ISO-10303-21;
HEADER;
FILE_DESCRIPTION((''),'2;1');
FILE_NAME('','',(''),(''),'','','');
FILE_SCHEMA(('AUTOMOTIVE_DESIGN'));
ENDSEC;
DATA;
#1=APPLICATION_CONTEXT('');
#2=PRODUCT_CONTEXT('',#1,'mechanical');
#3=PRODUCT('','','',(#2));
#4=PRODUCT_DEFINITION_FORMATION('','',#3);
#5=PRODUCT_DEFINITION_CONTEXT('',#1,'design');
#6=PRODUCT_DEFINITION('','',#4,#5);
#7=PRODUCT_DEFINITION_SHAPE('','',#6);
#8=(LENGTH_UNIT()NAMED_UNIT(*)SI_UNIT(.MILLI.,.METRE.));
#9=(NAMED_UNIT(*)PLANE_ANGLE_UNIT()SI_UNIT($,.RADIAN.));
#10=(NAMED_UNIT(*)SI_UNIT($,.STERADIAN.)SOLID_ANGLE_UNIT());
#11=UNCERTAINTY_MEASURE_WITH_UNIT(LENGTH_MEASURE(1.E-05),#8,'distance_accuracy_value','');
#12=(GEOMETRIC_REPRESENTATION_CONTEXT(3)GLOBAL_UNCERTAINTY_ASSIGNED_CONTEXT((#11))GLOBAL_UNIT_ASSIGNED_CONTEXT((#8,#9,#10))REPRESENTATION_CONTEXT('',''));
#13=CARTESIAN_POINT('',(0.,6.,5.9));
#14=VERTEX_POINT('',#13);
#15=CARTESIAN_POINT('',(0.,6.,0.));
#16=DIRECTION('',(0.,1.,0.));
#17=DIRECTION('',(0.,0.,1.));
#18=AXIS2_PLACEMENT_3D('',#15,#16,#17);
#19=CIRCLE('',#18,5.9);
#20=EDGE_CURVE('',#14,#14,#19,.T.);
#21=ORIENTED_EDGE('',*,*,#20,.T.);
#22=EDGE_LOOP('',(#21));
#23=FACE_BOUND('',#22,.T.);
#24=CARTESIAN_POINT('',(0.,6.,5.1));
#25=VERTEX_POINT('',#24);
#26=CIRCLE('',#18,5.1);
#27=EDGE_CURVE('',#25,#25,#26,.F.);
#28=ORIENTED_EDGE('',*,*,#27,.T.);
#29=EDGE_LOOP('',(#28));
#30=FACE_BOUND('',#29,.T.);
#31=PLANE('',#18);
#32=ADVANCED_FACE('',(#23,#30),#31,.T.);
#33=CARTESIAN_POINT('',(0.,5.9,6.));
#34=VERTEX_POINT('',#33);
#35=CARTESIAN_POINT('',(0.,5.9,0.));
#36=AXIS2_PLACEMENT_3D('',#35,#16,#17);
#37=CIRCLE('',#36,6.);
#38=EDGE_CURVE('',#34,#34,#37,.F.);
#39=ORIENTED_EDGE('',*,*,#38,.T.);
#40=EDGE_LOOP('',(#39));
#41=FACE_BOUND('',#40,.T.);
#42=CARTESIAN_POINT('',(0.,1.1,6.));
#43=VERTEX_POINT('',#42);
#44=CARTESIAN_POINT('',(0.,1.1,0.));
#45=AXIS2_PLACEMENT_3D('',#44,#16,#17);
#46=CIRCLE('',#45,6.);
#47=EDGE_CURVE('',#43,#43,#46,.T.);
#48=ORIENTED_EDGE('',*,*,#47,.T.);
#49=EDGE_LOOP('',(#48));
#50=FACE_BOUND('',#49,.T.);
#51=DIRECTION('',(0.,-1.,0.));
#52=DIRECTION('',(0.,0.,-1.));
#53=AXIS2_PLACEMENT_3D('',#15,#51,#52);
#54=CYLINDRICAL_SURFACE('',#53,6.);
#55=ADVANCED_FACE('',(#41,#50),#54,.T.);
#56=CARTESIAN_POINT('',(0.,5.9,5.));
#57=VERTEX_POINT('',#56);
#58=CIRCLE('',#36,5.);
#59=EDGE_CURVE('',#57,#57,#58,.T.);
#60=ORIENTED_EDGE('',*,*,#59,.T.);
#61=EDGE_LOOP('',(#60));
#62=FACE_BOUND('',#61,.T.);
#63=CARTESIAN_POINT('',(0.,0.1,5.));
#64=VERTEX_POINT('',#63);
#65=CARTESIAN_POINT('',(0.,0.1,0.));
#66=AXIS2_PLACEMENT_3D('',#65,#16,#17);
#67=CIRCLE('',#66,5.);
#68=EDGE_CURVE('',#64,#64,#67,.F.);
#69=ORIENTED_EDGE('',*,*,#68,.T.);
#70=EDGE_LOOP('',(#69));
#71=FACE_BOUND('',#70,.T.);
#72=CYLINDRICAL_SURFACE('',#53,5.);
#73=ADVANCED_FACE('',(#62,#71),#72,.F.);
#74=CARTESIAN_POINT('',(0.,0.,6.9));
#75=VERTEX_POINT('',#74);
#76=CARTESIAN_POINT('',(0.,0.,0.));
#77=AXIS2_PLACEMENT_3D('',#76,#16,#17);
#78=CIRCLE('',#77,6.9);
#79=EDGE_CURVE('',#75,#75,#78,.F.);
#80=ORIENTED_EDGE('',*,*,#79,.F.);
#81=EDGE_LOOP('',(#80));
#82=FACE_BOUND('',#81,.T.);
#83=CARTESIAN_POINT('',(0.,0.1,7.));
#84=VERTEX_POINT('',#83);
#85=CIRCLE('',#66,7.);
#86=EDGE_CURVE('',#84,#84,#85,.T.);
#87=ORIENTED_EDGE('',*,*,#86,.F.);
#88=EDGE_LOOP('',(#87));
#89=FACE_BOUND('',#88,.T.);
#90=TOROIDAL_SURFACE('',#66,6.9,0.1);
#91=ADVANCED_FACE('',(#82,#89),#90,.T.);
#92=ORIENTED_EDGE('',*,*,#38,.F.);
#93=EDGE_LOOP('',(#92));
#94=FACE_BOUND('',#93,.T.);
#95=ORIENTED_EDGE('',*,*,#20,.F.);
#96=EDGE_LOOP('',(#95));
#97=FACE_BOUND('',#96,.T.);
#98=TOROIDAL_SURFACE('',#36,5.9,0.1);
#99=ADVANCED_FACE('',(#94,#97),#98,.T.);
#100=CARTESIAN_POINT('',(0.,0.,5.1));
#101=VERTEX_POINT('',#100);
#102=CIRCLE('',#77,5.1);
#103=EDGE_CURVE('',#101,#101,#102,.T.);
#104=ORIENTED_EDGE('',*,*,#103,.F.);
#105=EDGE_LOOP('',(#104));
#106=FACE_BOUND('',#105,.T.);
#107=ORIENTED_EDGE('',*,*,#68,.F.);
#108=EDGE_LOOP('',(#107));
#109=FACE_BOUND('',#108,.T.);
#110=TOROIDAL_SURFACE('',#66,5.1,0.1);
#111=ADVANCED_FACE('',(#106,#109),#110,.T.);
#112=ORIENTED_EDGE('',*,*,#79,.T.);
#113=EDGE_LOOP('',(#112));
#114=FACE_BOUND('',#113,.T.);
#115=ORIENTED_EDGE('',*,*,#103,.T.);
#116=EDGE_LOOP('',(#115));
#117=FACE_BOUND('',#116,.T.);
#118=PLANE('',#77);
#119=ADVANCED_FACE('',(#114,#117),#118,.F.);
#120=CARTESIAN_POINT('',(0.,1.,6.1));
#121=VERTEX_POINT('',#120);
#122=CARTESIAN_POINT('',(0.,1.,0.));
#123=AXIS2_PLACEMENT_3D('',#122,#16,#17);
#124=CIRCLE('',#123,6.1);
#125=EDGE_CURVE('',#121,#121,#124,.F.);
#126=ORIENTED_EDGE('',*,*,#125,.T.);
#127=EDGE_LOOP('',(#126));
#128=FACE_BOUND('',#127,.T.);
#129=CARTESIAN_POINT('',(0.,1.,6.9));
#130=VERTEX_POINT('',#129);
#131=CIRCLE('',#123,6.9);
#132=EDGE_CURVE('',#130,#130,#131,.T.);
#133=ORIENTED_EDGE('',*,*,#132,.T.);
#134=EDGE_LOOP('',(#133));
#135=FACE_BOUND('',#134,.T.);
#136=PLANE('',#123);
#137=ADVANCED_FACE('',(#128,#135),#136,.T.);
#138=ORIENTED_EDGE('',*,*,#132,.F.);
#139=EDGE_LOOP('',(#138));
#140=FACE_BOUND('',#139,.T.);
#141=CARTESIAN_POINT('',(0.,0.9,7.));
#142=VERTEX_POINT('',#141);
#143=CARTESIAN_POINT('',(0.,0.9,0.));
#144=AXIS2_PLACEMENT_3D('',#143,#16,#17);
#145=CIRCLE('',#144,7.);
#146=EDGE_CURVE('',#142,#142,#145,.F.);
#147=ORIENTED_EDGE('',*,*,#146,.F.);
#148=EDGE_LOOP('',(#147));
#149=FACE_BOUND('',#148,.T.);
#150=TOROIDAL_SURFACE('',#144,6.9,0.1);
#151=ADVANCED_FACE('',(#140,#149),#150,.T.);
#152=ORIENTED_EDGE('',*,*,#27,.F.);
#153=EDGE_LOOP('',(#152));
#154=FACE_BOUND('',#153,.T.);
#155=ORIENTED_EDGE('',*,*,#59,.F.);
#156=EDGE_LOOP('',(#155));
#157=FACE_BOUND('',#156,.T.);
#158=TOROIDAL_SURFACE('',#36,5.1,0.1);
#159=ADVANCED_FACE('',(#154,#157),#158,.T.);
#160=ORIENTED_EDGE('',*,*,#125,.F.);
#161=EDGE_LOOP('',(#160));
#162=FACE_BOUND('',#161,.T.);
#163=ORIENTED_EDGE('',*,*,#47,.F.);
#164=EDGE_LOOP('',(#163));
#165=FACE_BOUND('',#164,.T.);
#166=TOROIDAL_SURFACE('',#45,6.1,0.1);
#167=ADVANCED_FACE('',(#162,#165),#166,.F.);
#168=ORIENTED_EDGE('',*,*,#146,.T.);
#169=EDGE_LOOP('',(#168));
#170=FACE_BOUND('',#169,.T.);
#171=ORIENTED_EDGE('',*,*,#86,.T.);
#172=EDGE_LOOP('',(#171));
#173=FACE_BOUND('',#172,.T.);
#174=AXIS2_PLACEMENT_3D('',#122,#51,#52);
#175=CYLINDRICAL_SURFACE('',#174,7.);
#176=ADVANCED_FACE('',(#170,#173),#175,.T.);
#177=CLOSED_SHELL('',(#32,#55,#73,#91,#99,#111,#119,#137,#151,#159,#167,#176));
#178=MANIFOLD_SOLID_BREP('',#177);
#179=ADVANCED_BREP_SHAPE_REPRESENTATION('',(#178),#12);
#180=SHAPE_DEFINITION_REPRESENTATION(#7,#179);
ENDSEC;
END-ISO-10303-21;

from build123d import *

# Parameters (mm, degrees)
SKETCH3_R           = 6
SKETCH3_R_2         = 5
BOSS_EXTRUDE1_DEPTH = 6
SKETCH4_R           = 7
SKETCH4_R_2         = 6
BOSS_EXTRUDE2_DEPTH = 1
FILLET1_R           = 0.1


with BuildPart() as part:
    # Sketch3 → Boss-Extrude1 (new body)
    with BuildSketch(Plane(origin=(0, 0, 0), x_dir=(1, 0, 0), z_dir=(0, 1, 0))):
        Circle(SKETCH3_R)
        Circle(SKETCH3_R_2, mode=Mode.SUBTRACT)
    extrude(amount=BOSS_EXTRUDE1_DEPTH)

    # Sketch4 → Boss-Extrude2 (add)
    with BuildSketch(Plane(origin=(0, 0, 0), x_dir=(1, 0, 0), z_dir=(0, 1, 0))):
        Circle(SKETCH4_R)
        Circle(SKETCH4_R_2, mode=Mode.SUBTRACT)
    extrude(amount=BOSS_EXTRUDE2_DEPTH)

    # Fillet1
    fillet1_edges = [part.edges().sort_by_distance(p)[0] for p in [
        (-7, 0, 0),
        (-6, 1, 0),
        (-6, 6, 0),
        (-5, 0, 0),
        (-5, 6, 0),
        (-7, 1, 0),
    ]]
    fillet(fillet1_edges, radius=FILLET1_R)


solid = part.part
